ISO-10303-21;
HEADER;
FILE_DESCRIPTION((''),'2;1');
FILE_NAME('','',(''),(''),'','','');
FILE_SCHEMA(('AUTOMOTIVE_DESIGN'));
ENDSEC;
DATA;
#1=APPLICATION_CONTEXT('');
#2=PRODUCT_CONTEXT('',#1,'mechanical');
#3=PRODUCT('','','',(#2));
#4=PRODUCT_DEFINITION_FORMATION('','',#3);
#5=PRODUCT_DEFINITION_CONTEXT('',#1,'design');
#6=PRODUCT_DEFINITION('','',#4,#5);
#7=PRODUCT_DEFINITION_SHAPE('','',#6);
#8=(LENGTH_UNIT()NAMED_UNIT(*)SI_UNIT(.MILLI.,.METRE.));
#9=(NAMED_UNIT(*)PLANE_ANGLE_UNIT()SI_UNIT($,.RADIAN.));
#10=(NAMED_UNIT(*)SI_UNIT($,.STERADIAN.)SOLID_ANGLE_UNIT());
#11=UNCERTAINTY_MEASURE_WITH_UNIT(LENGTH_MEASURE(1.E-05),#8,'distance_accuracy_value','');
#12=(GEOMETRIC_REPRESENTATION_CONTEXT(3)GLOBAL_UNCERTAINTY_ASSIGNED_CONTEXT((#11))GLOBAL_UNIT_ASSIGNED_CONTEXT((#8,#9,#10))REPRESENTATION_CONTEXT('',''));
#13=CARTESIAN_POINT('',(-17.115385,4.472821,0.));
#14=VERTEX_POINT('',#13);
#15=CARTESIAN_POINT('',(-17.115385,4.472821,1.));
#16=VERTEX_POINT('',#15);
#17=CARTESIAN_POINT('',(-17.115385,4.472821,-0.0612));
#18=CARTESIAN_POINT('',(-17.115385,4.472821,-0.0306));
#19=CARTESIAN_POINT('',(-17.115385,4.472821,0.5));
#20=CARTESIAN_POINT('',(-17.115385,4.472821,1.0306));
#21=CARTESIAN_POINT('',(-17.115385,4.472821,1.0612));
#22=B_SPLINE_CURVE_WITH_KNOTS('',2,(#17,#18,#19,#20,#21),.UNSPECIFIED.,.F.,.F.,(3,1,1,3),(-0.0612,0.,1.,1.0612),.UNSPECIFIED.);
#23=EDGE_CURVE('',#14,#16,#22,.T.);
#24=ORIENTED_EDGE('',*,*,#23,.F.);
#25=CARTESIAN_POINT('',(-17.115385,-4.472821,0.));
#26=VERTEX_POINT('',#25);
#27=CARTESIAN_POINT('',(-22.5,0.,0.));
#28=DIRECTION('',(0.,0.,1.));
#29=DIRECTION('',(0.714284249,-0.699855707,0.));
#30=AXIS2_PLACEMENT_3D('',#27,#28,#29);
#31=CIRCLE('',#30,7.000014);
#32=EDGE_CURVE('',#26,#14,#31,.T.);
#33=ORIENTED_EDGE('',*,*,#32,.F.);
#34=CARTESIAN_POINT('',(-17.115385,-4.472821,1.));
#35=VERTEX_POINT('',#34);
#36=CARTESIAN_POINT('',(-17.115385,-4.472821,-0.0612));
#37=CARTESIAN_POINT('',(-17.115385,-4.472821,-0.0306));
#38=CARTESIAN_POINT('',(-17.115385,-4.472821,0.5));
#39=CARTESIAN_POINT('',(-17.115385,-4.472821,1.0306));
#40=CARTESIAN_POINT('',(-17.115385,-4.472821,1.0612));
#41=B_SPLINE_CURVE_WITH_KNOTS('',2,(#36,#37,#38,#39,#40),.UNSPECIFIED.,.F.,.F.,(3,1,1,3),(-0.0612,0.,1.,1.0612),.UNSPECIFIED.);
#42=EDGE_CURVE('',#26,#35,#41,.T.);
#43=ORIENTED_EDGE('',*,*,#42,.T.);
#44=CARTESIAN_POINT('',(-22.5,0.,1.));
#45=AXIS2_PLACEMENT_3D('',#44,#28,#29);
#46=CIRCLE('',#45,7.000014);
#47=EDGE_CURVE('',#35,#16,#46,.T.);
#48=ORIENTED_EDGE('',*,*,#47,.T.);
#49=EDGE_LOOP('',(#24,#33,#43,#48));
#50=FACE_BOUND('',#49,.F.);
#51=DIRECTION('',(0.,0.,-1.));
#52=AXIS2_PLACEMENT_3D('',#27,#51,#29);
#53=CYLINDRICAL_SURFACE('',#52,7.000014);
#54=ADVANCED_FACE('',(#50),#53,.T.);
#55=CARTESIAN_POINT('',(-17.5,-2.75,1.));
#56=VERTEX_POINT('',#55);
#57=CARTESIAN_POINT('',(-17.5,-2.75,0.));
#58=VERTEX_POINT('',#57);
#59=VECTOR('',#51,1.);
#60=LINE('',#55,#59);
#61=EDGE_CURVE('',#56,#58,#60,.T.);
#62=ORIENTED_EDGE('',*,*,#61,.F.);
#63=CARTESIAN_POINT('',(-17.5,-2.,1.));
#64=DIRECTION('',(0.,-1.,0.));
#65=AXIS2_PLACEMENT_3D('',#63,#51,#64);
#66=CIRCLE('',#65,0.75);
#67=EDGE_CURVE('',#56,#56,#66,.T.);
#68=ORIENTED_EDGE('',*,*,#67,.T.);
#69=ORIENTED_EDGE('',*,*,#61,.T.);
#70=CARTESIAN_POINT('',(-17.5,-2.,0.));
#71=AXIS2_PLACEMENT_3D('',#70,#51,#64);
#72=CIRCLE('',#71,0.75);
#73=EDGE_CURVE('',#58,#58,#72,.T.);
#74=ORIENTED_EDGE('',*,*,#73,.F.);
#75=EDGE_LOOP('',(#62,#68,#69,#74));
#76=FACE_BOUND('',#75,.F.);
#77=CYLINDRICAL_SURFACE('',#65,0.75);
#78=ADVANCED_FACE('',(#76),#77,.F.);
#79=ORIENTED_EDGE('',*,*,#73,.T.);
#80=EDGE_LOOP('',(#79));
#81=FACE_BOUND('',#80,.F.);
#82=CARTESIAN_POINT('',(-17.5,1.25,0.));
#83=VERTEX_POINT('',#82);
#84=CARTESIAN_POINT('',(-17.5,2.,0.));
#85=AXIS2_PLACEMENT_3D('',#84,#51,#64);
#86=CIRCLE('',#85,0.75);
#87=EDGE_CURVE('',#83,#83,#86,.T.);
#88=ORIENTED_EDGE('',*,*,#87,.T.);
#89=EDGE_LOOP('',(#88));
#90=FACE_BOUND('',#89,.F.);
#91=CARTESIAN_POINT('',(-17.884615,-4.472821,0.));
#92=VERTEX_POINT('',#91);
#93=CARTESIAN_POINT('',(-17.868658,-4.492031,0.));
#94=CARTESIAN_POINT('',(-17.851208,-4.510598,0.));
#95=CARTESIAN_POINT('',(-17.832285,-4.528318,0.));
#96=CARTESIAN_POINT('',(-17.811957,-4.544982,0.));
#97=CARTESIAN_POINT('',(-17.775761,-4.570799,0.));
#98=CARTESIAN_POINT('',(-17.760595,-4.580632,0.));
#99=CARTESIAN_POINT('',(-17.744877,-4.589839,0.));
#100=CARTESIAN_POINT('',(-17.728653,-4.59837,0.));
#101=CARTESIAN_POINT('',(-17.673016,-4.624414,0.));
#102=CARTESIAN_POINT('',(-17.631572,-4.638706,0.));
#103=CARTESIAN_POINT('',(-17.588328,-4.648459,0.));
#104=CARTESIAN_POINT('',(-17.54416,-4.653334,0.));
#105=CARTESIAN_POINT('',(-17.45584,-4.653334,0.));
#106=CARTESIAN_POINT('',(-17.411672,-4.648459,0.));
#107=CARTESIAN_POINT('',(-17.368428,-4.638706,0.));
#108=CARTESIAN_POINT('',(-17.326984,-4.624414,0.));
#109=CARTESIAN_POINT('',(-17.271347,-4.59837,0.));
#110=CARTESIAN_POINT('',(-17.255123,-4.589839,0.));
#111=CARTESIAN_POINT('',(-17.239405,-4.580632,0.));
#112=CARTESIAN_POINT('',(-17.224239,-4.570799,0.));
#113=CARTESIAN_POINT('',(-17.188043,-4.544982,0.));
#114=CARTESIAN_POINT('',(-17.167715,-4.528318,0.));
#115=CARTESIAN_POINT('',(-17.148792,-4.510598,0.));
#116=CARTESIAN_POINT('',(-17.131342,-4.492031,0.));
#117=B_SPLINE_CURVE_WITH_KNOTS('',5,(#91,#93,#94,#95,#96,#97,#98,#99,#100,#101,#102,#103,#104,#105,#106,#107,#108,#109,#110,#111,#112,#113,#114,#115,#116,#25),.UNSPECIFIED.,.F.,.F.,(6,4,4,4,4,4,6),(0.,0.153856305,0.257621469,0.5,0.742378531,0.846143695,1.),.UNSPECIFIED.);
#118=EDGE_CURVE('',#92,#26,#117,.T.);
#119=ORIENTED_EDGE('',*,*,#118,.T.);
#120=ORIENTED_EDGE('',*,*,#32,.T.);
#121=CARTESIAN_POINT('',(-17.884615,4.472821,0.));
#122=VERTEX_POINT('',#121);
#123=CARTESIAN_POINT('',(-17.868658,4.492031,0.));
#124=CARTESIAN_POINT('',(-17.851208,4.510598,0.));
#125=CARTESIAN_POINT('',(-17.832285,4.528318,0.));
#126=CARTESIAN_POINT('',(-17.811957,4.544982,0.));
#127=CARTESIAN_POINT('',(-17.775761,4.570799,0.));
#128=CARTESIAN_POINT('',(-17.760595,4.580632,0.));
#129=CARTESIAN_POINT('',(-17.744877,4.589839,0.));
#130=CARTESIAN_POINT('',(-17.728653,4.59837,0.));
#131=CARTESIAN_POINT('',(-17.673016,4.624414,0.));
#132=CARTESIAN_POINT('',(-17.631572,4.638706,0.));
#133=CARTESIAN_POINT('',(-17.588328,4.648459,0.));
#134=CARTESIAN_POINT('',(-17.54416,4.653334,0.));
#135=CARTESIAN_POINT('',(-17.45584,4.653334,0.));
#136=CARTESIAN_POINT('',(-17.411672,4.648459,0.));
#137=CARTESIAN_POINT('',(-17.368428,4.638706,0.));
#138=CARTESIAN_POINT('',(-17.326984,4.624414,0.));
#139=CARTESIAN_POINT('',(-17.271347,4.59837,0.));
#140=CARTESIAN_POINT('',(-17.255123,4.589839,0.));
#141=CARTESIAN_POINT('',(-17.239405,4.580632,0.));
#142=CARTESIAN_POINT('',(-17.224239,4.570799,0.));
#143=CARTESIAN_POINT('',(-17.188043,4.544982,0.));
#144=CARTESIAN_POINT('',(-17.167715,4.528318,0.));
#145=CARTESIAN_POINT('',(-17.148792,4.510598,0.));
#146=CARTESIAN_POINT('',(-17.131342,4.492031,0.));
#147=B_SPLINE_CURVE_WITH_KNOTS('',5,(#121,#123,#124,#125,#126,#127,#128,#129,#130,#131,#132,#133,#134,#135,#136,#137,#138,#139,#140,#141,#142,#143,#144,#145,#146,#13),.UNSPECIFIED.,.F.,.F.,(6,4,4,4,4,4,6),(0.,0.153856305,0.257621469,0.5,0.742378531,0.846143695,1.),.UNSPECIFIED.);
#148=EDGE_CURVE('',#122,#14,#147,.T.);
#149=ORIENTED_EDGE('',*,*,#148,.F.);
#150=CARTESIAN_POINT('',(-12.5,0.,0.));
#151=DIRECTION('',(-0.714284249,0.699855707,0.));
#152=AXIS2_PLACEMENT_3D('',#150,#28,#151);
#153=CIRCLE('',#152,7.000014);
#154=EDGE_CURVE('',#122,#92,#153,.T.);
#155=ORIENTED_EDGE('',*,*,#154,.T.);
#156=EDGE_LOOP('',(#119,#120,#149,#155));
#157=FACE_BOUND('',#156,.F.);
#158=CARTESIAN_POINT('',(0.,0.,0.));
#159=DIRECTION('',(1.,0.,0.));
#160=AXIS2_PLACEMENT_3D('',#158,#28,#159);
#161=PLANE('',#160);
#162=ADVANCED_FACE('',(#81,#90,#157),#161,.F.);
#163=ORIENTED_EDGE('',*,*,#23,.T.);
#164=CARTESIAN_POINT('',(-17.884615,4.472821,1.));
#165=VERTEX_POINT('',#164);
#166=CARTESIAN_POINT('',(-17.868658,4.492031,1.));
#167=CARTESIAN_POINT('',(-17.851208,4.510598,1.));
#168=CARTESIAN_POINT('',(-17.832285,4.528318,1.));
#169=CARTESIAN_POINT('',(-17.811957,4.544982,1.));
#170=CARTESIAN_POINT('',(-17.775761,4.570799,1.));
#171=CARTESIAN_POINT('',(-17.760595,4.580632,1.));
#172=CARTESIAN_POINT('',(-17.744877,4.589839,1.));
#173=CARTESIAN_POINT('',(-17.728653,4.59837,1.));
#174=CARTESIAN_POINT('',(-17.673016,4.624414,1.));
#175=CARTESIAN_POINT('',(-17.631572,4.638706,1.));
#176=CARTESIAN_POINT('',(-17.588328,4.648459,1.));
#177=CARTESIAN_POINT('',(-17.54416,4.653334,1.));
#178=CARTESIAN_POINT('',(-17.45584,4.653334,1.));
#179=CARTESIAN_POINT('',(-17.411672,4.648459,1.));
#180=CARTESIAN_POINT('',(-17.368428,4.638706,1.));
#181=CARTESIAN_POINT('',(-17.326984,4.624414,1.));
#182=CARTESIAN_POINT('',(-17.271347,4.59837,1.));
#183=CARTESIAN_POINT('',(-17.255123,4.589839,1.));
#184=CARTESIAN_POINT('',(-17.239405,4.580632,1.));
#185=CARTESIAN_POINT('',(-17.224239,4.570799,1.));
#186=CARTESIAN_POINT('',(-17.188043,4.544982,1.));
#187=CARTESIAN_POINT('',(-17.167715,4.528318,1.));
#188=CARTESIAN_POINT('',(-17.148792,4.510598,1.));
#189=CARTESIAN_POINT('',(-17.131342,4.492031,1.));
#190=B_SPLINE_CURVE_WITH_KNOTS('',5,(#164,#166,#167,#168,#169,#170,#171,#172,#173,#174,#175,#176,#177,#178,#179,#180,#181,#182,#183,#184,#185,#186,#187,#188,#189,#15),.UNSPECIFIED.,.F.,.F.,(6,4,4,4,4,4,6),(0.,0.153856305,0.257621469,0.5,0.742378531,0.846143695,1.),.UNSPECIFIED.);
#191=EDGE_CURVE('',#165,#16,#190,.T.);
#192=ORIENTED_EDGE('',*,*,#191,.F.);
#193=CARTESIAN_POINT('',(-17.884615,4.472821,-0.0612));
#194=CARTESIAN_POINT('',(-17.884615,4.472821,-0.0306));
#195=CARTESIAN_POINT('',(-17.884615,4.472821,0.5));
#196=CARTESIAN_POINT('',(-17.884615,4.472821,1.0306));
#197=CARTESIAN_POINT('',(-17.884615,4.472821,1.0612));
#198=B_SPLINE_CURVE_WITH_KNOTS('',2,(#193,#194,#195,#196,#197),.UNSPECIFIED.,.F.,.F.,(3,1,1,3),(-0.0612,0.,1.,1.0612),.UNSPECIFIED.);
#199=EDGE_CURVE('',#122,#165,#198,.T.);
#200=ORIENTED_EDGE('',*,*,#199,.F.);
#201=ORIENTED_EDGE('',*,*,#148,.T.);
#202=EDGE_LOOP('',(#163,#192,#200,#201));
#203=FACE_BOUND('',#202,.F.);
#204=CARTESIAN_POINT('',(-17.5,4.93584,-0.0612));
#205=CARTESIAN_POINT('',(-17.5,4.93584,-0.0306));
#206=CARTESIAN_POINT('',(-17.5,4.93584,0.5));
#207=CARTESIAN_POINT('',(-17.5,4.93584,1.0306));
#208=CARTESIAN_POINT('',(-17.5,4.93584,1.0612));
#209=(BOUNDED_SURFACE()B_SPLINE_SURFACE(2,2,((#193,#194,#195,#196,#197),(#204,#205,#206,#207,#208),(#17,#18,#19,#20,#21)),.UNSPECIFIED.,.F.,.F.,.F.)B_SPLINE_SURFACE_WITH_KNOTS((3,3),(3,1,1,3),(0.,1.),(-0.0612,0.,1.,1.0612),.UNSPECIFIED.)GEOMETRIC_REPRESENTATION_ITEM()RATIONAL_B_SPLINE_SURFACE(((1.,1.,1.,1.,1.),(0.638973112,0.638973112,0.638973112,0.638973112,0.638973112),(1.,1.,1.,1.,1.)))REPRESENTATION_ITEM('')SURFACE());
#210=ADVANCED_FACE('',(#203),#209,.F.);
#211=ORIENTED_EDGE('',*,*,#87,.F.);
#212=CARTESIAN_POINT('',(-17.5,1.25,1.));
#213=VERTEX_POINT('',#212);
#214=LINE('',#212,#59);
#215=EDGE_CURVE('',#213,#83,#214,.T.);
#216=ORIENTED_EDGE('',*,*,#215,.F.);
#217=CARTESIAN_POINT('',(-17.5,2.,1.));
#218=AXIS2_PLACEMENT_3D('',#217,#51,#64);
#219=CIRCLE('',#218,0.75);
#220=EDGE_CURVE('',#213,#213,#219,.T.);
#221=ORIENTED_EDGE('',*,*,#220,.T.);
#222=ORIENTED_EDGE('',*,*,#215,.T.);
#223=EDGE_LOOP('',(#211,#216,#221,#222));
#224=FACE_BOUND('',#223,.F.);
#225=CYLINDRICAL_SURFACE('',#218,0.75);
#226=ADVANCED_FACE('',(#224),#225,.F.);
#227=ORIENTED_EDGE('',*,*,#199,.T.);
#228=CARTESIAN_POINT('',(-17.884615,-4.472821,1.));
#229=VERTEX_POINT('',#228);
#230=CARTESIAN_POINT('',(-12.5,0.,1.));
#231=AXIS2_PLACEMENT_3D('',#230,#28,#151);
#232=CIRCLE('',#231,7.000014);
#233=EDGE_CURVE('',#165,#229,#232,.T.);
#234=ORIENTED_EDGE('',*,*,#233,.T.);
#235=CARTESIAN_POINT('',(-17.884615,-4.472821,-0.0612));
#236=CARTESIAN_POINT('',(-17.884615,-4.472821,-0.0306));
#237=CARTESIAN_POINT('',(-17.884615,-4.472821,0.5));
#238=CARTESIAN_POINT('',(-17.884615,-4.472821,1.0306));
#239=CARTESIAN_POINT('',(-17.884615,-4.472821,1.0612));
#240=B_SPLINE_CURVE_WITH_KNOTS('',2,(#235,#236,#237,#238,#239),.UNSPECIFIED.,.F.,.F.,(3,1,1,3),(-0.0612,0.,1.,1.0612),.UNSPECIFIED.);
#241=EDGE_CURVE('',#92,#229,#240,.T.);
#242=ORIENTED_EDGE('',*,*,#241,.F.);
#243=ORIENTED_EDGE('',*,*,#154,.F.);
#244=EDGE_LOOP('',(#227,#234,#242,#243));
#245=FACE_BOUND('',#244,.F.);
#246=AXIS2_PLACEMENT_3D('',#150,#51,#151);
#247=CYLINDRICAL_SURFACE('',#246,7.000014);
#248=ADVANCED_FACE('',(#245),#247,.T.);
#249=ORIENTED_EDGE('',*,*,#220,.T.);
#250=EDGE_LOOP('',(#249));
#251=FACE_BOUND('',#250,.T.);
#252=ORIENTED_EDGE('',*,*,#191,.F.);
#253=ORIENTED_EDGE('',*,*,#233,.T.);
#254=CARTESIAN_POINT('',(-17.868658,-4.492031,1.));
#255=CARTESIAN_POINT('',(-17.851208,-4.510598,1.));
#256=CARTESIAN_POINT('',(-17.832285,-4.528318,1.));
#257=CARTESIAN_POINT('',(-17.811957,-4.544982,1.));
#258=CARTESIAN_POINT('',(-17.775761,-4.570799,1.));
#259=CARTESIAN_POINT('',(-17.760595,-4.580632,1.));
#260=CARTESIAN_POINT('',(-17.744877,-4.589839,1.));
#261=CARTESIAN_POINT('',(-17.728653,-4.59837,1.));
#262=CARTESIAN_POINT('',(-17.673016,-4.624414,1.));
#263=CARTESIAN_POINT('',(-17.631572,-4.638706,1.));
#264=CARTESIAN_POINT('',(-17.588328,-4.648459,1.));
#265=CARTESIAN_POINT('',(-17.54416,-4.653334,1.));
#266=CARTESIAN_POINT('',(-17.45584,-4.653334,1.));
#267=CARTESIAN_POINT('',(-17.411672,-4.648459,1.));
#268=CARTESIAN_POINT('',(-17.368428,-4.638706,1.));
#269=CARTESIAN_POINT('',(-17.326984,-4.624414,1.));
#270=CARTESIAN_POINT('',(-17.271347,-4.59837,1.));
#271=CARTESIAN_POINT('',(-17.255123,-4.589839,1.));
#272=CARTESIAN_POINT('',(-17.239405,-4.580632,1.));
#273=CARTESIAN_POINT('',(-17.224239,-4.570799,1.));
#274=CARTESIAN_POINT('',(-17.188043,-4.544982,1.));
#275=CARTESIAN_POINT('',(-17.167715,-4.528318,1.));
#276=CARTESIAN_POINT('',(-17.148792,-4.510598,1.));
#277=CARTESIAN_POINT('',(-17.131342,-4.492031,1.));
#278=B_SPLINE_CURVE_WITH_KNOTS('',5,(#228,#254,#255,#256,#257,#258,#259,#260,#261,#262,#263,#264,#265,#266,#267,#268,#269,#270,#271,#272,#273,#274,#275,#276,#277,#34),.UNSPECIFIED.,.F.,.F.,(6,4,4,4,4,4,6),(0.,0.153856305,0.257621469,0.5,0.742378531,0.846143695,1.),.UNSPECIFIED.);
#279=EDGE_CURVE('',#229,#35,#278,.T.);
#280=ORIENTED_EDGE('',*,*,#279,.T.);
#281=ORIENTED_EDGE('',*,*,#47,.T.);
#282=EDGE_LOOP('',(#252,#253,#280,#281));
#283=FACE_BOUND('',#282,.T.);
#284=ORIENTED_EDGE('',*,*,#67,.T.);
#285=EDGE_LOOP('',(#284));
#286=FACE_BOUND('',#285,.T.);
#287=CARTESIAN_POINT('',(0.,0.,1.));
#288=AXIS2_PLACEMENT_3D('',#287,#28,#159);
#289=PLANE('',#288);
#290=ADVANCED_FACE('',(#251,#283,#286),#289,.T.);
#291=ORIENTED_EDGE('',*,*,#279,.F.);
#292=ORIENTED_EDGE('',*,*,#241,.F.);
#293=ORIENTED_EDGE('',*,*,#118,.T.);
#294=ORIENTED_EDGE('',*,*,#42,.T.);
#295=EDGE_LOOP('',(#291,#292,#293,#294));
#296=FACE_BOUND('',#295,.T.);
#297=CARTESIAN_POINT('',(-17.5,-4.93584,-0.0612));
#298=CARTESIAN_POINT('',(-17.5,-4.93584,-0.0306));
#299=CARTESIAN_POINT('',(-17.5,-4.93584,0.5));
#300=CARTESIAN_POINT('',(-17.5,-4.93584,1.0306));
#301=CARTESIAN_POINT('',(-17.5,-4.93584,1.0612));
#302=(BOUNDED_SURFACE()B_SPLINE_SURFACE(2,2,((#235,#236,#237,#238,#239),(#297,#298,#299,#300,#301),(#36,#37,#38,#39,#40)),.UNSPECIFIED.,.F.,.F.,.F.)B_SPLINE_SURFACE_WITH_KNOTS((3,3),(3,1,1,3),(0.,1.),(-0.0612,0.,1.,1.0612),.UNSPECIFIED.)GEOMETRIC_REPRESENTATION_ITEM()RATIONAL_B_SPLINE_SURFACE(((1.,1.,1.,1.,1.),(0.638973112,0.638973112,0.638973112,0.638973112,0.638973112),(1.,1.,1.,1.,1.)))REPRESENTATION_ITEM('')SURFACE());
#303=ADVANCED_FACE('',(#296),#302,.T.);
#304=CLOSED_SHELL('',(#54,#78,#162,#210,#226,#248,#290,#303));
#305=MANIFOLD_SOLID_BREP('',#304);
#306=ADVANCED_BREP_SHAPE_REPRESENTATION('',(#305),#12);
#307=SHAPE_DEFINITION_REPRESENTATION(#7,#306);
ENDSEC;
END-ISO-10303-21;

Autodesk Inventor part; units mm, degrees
ref_plane "YZ Plane" through (0, 0, 0) normal (1, 0, 0) x (0, 1, 0)
ref_plane "XZ Plane" through (0, 0, 0) normal (0, 1, 0) x (-1, 0, 0)
ref_plane "XY Plane" through (0, 0, 0) normal (0, 0, 1) x (1, 0, 0)
sketch "Sketch2" plane through (0, 0, 0) normal (0, 0, 1) x (1, 0, 0)
  point P0 (0, 0)
  point P1 (-17.5, 0)
  dimension "d6" = 17.5
sketch "Sketch1" plane through (0, 0, 0) normal (0, 0, 1) x (1, 0, 0)
  arc A0 (-17.5, -4.899) -> (-17.5, 4.899) centre (-22.5, 0) ccw
  arc A1 (-17.5, 4.899) -> (-17.5, -4.899) centre (-12.5, 0) ccw
  line L0 (-15.5, 0) -> (-15.5, 11.1541) construction
  point P0 (-17.5, 0)
  dimension "d3" = 14
  dimension "d4" = 14
  dimension "d5" = 10
  dimension "d7" = 2
extrude "Extrusion1" add sketch "Sketch1" along normal blind 1
sketch "Sketch3" plane through (0, 0, 1) normal (0, 0, 1) x (1, 0, 0)
  point P0 (0, 0)
  point P1 (-17.5, 0)
  point P2 (-17.5, 2)
  point P3 (-17.5, -2)
  dimension "d10" = 2
  dimension "d11" = 2
hole "Hole1" at (-17.5, 2, 1) at (-17.5, -2, 1) direction (0, 0, -1) diameter 1.5 end through all
fillet "Fillet1" radius 0.5 2 edges at (-17.5, -4.899, 0.5) (-17.5, 4.899, 0.5)
properties part number "phalanx 3 spring pins support"
